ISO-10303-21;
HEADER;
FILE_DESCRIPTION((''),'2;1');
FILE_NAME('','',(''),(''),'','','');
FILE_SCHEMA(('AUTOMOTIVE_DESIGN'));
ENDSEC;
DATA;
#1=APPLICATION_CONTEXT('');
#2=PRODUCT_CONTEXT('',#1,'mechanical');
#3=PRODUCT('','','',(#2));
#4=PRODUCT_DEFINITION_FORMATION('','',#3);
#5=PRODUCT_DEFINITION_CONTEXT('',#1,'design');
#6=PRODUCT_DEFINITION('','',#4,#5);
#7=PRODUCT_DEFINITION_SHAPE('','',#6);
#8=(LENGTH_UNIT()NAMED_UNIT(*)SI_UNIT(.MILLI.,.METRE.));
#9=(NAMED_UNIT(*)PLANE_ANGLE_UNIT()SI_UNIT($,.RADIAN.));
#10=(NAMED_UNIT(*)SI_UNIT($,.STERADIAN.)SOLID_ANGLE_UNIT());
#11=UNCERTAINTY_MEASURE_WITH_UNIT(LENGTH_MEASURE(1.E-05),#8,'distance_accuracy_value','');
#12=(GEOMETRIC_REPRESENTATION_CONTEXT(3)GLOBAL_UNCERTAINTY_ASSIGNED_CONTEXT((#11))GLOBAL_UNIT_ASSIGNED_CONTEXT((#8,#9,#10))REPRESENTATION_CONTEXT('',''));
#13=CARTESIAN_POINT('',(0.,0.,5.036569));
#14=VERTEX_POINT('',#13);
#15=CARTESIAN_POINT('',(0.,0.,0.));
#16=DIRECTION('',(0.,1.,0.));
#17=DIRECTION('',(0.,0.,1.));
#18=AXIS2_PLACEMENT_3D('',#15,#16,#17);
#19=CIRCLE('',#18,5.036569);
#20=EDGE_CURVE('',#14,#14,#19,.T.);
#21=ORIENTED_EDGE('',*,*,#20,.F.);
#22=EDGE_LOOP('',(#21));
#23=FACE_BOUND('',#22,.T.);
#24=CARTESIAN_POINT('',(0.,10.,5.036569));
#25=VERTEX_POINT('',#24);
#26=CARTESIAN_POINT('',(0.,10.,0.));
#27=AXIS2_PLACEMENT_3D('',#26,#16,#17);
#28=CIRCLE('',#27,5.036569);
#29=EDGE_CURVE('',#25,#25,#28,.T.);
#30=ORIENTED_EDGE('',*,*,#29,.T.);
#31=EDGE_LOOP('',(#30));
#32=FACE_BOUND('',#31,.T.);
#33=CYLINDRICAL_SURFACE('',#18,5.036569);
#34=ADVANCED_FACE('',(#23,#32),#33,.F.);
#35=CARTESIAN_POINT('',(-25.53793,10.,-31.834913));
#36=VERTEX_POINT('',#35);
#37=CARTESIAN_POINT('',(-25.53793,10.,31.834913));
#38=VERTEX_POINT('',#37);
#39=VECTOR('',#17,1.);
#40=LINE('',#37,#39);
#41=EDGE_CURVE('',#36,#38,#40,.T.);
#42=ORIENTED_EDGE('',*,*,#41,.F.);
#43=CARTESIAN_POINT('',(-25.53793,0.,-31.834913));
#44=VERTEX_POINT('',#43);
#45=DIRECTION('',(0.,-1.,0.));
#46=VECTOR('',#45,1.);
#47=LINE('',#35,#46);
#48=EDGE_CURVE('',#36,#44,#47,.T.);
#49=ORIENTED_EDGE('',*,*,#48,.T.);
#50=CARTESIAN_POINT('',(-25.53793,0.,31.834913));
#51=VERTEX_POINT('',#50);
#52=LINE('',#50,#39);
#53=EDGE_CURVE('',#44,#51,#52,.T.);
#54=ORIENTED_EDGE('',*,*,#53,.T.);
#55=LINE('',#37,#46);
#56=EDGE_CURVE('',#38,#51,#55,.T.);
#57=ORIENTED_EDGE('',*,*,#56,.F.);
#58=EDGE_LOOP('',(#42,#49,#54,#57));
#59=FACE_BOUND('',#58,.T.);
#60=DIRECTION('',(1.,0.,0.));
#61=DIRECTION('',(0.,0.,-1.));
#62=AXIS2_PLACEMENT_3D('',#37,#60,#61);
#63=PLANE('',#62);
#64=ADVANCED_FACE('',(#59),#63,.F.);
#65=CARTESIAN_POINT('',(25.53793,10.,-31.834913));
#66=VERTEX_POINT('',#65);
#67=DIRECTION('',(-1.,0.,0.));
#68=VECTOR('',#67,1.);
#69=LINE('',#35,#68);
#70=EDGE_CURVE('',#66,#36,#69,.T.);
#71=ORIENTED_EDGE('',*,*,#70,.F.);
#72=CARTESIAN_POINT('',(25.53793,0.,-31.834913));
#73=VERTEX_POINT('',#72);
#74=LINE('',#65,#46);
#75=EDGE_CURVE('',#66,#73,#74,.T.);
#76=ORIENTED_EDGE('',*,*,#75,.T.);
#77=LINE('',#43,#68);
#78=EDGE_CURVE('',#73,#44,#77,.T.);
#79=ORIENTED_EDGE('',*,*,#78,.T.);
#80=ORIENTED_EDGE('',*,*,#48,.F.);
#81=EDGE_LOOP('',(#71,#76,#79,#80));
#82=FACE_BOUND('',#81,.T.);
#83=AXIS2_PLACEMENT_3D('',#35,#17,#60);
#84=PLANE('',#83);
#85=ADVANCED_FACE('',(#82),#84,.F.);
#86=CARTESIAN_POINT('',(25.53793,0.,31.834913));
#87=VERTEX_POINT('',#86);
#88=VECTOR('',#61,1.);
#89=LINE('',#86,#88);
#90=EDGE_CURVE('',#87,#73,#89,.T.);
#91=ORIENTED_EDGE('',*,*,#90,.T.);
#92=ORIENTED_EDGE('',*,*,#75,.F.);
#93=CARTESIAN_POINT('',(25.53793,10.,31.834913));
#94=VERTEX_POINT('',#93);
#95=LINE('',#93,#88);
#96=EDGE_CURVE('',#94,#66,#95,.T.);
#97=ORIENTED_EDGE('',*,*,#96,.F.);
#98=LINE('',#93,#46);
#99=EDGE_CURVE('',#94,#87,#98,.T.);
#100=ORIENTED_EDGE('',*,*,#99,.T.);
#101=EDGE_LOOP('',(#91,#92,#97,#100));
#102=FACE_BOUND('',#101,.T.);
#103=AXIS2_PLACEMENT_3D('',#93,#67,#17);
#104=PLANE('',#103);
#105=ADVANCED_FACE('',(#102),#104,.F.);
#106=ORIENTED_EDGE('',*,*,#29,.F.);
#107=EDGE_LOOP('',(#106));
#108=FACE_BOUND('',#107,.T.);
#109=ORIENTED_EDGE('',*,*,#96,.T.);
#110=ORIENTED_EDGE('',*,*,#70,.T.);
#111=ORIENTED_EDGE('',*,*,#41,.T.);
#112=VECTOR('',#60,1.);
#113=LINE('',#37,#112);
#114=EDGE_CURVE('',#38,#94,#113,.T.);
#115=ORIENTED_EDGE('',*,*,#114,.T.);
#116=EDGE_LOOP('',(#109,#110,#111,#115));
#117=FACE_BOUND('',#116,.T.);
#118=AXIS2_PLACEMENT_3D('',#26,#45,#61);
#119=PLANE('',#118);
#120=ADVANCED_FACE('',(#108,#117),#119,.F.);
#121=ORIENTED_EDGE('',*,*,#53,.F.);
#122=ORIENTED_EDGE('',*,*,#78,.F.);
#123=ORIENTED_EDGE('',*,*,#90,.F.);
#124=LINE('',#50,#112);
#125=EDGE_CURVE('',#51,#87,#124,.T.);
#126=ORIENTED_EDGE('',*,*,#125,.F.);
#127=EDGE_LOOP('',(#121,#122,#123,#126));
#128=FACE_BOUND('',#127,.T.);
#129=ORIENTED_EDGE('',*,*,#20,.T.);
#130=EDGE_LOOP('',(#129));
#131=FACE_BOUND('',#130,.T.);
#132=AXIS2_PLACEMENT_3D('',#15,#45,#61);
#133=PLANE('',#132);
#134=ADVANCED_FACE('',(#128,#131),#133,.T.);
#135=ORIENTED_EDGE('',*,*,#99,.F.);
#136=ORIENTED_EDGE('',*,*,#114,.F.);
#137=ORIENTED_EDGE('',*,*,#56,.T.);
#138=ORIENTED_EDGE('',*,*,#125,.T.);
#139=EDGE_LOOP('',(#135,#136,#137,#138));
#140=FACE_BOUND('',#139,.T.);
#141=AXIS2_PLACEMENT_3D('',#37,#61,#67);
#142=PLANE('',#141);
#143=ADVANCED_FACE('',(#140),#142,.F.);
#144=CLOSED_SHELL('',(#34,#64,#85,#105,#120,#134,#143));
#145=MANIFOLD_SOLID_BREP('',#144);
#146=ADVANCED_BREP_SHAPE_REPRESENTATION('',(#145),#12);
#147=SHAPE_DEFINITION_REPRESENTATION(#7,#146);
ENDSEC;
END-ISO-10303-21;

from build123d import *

# Parameters (mm, degrees)
SKETCH1_W           = 51.075859404
SKETCH1_H           = 63.669825848
BOSS_EXTRUDE1_DEPTH = 10
SKETCH2_R           = 5.03656923
CUT_EXTRUDE1_DEPTH  = 10


with BuildPart() as part:
    # Sketch1 → Boss-Extrude1 (new body)
    with BuildSketch(Plane(origin=(0, 0, 0), x_dir=(1, 0, 0), z_dir=(0, 1, 0))):
        Rectangle(SKETCH1_W, SKETCH1_H)
    extrude(amount=BOSS_EXTRUDE1_DEPTH)

    # Sketch2 → Cut-Extrude1 (cut)
    with BuildSketch(Plane(origin=(0, 10, 0), x_dir=(1, 0, 0), z_dir=(0, 1, 0))):
        with Locations(Location((0, 0, 0), (0, 0, 270))):
            Circle(SKETCH2_R)
    extrude(amount=-CUT_EXTRUDE1_DEPTH, mode=Mode.SUBTRACT)


solid = part.part
